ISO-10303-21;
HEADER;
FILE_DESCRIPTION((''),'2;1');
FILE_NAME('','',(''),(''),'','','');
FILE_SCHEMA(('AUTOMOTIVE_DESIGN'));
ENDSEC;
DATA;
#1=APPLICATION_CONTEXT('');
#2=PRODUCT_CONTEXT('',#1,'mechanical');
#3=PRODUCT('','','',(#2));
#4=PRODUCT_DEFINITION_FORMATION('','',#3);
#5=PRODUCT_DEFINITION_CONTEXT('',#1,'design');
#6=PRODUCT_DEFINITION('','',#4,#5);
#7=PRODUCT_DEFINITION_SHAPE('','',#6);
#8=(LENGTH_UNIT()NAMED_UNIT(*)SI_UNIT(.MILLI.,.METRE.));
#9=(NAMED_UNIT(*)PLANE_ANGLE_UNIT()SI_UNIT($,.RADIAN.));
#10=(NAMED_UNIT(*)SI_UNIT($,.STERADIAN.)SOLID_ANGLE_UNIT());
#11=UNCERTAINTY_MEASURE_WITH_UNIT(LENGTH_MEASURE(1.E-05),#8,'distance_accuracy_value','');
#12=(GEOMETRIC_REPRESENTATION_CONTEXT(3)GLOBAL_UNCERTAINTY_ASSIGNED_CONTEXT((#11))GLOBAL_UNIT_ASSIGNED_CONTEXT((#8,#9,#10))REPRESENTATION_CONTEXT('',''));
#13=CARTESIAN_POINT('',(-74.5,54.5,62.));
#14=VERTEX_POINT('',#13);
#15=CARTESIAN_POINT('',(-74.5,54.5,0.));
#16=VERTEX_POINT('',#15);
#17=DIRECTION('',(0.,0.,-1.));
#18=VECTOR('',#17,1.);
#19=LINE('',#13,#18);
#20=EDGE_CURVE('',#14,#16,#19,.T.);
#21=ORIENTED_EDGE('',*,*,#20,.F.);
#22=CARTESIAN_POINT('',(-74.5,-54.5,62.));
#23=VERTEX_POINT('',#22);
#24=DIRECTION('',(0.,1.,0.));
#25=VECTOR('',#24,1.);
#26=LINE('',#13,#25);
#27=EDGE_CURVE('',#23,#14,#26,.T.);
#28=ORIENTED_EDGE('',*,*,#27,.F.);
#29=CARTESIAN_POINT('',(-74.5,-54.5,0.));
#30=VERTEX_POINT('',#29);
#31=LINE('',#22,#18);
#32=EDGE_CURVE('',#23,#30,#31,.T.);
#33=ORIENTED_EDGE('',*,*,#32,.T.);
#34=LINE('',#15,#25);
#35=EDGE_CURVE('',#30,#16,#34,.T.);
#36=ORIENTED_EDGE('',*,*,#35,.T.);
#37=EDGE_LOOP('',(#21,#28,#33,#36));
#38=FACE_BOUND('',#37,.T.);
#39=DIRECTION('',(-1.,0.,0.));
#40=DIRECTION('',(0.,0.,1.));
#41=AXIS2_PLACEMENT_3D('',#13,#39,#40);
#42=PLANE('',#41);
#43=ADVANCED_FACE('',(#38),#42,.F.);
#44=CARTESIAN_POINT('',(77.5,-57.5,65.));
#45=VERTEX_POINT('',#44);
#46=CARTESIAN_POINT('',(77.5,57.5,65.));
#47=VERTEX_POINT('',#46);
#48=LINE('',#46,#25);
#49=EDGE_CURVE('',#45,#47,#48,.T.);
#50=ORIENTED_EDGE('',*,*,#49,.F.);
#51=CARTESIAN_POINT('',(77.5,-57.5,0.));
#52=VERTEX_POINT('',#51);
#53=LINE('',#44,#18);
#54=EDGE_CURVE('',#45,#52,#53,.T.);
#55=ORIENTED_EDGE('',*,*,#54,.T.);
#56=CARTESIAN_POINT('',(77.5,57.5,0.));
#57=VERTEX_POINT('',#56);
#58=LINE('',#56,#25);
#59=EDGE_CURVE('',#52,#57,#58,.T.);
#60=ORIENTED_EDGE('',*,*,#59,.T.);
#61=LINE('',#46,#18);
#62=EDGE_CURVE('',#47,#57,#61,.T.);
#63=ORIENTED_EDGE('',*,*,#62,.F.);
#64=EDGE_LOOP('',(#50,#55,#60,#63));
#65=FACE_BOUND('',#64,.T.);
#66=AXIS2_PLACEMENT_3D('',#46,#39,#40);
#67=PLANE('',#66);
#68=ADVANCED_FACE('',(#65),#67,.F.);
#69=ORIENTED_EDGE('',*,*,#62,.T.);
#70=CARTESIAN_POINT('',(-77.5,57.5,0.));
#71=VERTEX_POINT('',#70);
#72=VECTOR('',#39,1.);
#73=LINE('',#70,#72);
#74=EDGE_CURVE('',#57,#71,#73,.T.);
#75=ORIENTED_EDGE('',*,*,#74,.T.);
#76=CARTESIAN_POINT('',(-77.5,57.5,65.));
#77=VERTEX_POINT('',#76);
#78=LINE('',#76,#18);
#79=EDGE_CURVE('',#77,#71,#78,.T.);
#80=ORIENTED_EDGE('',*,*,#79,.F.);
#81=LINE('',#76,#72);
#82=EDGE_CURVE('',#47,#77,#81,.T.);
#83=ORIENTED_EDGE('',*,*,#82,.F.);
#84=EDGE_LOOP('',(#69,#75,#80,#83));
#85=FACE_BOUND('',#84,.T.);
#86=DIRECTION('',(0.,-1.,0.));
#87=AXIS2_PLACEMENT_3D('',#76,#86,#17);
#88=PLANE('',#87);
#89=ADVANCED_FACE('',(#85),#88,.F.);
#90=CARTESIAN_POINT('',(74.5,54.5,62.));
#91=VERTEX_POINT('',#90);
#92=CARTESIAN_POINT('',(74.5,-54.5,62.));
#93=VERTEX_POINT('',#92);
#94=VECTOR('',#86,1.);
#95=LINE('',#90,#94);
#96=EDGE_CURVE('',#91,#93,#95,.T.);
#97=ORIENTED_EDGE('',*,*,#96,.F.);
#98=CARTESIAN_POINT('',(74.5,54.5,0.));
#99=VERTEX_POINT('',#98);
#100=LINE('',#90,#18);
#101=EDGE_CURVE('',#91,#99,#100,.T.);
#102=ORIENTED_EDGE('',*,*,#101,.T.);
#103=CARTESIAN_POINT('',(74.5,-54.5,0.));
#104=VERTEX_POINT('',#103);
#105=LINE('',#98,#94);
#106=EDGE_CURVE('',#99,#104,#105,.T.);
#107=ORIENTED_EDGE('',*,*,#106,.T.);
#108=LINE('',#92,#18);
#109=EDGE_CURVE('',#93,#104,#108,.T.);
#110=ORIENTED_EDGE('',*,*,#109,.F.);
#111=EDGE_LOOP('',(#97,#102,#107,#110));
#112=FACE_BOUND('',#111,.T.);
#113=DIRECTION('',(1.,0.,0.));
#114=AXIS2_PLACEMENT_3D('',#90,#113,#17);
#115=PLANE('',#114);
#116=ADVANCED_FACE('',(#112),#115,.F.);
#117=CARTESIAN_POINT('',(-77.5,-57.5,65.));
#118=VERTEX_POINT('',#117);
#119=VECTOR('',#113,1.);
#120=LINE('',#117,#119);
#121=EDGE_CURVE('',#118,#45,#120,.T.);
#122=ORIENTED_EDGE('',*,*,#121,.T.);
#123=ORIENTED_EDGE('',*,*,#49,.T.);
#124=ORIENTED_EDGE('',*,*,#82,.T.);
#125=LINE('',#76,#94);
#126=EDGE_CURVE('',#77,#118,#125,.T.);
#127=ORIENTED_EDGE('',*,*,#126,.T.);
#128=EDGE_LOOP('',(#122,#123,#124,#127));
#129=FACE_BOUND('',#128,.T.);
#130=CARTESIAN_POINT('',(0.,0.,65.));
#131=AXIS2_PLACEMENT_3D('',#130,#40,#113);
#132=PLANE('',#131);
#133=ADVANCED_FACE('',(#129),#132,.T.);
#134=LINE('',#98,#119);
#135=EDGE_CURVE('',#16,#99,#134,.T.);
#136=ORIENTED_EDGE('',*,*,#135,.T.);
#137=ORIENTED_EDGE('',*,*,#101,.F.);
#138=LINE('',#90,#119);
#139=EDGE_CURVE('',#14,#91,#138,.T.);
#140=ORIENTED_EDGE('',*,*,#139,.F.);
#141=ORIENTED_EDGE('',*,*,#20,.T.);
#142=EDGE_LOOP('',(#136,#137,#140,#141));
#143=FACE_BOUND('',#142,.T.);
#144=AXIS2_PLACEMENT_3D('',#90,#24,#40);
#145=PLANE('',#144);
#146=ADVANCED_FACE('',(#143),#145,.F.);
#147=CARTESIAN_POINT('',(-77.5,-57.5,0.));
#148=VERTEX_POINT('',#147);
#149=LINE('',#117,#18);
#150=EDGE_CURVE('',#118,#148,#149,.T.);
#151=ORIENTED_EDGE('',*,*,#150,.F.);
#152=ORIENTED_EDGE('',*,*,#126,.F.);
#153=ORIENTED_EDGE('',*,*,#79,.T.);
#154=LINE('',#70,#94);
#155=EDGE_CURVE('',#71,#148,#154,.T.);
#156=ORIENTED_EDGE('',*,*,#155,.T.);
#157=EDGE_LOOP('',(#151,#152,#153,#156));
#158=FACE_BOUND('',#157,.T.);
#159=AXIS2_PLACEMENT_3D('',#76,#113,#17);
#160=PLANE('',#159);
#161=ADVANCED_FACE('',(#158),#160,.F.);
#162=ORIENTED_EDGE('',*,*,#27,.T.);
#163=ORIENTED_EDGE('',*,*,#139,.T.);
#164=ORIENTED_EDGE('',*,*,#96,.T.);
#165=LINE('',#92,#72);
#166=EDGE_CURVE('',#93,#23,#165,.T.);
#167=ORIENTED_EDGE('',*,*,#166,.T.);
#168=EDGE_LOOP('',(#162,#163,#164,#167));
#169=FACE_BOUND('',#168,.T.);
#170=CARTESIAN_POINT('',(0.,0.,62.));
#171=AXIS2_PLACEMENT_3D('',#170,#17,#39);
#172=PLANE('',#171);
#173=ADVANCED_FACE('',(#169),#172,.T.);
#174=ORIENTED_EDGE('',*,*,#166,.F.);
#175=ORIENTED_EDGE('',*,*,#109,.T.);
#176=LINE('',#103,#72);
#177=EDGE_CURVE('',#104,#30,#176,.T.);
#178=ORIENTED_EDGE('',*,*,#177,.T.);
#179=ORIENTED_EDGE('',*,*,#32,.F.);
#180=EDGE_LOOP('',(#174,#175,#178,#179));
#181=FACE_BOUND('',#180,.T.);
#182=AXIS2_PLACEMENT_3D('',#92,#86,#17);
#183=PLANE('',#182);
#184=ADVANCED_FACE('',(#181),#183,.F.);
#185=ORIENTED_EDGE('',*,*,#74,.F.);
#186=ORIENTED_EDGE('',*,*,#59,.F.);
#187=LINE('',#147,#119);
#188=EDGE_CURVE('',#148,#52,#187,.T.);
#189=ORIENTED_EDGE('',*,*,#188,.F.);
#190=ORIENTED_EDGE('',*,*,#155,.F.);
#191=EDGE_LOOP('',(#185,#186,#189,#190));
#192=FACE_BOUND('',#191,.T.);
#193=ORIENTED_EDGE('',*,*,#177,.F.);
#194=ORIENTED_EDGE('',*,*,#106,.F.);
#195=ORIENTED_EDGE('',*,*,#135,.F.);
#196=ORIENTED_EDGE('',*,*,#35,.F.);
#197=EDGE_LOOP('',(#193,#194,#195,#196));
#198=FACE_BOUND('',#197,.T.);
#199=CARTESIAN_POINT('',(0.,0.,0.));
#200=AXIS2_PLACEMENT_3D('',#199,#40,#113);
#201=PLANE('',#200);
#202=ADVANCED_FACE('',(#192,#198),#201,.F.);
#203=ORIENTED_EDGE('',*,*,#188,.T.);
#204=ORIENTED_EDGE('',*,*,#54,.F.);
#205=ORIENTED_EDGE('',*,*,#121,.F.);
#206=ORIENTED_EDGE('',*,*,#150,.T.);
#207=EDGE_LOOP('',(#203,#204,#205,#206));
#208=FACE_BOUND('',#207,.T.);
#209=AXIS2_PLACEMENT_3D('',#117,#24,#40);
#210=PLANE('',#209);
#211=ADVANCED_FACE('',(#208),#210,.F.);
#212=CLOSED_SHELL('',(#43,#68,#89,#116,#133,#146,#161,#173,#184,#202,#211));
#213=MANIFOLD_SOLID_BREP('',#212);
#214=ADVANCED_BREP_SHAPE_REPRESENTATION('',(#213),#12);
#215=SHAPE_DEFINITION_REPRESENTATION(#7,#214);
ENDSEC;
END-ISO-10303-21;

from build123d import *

# Parameters (mm, degrees)
ESBO_O1_W                = 155
ESBO_O1_H                = 115
RESSALTO_EXTRUS_O1_DEPTH = 65
ESBO_O2_W                = 149
ESBO_O2_H                = 109
CORTE_EXTRUS_O1_DEPTH    = 62


with BuildPart() as part:
    # Esboço1 → Ressalto-extrusão1 (new body)
    with BuildSketch(Plane.XY):
        Rectangle(ESBO_O1_W, ESBO_O1_H)
    extrude(amount=RESSALTO_EXTRUS_O1_DEPTH)

    # Esboço2 → Corte-extrusão1 (cut)
    with BuildSketch(Plane(origin=(0, 0, 0), x_dir=(-1, 0, 0), z_dir=(0, 0, -1))):
        Rectangle(ESBO_O2_W, ESBO_O2_H)
    extrude(amount=-CORTE_EXTRUS_O1_DEPTH, mode=Mode.SUBTRACT)


solid = part.part
